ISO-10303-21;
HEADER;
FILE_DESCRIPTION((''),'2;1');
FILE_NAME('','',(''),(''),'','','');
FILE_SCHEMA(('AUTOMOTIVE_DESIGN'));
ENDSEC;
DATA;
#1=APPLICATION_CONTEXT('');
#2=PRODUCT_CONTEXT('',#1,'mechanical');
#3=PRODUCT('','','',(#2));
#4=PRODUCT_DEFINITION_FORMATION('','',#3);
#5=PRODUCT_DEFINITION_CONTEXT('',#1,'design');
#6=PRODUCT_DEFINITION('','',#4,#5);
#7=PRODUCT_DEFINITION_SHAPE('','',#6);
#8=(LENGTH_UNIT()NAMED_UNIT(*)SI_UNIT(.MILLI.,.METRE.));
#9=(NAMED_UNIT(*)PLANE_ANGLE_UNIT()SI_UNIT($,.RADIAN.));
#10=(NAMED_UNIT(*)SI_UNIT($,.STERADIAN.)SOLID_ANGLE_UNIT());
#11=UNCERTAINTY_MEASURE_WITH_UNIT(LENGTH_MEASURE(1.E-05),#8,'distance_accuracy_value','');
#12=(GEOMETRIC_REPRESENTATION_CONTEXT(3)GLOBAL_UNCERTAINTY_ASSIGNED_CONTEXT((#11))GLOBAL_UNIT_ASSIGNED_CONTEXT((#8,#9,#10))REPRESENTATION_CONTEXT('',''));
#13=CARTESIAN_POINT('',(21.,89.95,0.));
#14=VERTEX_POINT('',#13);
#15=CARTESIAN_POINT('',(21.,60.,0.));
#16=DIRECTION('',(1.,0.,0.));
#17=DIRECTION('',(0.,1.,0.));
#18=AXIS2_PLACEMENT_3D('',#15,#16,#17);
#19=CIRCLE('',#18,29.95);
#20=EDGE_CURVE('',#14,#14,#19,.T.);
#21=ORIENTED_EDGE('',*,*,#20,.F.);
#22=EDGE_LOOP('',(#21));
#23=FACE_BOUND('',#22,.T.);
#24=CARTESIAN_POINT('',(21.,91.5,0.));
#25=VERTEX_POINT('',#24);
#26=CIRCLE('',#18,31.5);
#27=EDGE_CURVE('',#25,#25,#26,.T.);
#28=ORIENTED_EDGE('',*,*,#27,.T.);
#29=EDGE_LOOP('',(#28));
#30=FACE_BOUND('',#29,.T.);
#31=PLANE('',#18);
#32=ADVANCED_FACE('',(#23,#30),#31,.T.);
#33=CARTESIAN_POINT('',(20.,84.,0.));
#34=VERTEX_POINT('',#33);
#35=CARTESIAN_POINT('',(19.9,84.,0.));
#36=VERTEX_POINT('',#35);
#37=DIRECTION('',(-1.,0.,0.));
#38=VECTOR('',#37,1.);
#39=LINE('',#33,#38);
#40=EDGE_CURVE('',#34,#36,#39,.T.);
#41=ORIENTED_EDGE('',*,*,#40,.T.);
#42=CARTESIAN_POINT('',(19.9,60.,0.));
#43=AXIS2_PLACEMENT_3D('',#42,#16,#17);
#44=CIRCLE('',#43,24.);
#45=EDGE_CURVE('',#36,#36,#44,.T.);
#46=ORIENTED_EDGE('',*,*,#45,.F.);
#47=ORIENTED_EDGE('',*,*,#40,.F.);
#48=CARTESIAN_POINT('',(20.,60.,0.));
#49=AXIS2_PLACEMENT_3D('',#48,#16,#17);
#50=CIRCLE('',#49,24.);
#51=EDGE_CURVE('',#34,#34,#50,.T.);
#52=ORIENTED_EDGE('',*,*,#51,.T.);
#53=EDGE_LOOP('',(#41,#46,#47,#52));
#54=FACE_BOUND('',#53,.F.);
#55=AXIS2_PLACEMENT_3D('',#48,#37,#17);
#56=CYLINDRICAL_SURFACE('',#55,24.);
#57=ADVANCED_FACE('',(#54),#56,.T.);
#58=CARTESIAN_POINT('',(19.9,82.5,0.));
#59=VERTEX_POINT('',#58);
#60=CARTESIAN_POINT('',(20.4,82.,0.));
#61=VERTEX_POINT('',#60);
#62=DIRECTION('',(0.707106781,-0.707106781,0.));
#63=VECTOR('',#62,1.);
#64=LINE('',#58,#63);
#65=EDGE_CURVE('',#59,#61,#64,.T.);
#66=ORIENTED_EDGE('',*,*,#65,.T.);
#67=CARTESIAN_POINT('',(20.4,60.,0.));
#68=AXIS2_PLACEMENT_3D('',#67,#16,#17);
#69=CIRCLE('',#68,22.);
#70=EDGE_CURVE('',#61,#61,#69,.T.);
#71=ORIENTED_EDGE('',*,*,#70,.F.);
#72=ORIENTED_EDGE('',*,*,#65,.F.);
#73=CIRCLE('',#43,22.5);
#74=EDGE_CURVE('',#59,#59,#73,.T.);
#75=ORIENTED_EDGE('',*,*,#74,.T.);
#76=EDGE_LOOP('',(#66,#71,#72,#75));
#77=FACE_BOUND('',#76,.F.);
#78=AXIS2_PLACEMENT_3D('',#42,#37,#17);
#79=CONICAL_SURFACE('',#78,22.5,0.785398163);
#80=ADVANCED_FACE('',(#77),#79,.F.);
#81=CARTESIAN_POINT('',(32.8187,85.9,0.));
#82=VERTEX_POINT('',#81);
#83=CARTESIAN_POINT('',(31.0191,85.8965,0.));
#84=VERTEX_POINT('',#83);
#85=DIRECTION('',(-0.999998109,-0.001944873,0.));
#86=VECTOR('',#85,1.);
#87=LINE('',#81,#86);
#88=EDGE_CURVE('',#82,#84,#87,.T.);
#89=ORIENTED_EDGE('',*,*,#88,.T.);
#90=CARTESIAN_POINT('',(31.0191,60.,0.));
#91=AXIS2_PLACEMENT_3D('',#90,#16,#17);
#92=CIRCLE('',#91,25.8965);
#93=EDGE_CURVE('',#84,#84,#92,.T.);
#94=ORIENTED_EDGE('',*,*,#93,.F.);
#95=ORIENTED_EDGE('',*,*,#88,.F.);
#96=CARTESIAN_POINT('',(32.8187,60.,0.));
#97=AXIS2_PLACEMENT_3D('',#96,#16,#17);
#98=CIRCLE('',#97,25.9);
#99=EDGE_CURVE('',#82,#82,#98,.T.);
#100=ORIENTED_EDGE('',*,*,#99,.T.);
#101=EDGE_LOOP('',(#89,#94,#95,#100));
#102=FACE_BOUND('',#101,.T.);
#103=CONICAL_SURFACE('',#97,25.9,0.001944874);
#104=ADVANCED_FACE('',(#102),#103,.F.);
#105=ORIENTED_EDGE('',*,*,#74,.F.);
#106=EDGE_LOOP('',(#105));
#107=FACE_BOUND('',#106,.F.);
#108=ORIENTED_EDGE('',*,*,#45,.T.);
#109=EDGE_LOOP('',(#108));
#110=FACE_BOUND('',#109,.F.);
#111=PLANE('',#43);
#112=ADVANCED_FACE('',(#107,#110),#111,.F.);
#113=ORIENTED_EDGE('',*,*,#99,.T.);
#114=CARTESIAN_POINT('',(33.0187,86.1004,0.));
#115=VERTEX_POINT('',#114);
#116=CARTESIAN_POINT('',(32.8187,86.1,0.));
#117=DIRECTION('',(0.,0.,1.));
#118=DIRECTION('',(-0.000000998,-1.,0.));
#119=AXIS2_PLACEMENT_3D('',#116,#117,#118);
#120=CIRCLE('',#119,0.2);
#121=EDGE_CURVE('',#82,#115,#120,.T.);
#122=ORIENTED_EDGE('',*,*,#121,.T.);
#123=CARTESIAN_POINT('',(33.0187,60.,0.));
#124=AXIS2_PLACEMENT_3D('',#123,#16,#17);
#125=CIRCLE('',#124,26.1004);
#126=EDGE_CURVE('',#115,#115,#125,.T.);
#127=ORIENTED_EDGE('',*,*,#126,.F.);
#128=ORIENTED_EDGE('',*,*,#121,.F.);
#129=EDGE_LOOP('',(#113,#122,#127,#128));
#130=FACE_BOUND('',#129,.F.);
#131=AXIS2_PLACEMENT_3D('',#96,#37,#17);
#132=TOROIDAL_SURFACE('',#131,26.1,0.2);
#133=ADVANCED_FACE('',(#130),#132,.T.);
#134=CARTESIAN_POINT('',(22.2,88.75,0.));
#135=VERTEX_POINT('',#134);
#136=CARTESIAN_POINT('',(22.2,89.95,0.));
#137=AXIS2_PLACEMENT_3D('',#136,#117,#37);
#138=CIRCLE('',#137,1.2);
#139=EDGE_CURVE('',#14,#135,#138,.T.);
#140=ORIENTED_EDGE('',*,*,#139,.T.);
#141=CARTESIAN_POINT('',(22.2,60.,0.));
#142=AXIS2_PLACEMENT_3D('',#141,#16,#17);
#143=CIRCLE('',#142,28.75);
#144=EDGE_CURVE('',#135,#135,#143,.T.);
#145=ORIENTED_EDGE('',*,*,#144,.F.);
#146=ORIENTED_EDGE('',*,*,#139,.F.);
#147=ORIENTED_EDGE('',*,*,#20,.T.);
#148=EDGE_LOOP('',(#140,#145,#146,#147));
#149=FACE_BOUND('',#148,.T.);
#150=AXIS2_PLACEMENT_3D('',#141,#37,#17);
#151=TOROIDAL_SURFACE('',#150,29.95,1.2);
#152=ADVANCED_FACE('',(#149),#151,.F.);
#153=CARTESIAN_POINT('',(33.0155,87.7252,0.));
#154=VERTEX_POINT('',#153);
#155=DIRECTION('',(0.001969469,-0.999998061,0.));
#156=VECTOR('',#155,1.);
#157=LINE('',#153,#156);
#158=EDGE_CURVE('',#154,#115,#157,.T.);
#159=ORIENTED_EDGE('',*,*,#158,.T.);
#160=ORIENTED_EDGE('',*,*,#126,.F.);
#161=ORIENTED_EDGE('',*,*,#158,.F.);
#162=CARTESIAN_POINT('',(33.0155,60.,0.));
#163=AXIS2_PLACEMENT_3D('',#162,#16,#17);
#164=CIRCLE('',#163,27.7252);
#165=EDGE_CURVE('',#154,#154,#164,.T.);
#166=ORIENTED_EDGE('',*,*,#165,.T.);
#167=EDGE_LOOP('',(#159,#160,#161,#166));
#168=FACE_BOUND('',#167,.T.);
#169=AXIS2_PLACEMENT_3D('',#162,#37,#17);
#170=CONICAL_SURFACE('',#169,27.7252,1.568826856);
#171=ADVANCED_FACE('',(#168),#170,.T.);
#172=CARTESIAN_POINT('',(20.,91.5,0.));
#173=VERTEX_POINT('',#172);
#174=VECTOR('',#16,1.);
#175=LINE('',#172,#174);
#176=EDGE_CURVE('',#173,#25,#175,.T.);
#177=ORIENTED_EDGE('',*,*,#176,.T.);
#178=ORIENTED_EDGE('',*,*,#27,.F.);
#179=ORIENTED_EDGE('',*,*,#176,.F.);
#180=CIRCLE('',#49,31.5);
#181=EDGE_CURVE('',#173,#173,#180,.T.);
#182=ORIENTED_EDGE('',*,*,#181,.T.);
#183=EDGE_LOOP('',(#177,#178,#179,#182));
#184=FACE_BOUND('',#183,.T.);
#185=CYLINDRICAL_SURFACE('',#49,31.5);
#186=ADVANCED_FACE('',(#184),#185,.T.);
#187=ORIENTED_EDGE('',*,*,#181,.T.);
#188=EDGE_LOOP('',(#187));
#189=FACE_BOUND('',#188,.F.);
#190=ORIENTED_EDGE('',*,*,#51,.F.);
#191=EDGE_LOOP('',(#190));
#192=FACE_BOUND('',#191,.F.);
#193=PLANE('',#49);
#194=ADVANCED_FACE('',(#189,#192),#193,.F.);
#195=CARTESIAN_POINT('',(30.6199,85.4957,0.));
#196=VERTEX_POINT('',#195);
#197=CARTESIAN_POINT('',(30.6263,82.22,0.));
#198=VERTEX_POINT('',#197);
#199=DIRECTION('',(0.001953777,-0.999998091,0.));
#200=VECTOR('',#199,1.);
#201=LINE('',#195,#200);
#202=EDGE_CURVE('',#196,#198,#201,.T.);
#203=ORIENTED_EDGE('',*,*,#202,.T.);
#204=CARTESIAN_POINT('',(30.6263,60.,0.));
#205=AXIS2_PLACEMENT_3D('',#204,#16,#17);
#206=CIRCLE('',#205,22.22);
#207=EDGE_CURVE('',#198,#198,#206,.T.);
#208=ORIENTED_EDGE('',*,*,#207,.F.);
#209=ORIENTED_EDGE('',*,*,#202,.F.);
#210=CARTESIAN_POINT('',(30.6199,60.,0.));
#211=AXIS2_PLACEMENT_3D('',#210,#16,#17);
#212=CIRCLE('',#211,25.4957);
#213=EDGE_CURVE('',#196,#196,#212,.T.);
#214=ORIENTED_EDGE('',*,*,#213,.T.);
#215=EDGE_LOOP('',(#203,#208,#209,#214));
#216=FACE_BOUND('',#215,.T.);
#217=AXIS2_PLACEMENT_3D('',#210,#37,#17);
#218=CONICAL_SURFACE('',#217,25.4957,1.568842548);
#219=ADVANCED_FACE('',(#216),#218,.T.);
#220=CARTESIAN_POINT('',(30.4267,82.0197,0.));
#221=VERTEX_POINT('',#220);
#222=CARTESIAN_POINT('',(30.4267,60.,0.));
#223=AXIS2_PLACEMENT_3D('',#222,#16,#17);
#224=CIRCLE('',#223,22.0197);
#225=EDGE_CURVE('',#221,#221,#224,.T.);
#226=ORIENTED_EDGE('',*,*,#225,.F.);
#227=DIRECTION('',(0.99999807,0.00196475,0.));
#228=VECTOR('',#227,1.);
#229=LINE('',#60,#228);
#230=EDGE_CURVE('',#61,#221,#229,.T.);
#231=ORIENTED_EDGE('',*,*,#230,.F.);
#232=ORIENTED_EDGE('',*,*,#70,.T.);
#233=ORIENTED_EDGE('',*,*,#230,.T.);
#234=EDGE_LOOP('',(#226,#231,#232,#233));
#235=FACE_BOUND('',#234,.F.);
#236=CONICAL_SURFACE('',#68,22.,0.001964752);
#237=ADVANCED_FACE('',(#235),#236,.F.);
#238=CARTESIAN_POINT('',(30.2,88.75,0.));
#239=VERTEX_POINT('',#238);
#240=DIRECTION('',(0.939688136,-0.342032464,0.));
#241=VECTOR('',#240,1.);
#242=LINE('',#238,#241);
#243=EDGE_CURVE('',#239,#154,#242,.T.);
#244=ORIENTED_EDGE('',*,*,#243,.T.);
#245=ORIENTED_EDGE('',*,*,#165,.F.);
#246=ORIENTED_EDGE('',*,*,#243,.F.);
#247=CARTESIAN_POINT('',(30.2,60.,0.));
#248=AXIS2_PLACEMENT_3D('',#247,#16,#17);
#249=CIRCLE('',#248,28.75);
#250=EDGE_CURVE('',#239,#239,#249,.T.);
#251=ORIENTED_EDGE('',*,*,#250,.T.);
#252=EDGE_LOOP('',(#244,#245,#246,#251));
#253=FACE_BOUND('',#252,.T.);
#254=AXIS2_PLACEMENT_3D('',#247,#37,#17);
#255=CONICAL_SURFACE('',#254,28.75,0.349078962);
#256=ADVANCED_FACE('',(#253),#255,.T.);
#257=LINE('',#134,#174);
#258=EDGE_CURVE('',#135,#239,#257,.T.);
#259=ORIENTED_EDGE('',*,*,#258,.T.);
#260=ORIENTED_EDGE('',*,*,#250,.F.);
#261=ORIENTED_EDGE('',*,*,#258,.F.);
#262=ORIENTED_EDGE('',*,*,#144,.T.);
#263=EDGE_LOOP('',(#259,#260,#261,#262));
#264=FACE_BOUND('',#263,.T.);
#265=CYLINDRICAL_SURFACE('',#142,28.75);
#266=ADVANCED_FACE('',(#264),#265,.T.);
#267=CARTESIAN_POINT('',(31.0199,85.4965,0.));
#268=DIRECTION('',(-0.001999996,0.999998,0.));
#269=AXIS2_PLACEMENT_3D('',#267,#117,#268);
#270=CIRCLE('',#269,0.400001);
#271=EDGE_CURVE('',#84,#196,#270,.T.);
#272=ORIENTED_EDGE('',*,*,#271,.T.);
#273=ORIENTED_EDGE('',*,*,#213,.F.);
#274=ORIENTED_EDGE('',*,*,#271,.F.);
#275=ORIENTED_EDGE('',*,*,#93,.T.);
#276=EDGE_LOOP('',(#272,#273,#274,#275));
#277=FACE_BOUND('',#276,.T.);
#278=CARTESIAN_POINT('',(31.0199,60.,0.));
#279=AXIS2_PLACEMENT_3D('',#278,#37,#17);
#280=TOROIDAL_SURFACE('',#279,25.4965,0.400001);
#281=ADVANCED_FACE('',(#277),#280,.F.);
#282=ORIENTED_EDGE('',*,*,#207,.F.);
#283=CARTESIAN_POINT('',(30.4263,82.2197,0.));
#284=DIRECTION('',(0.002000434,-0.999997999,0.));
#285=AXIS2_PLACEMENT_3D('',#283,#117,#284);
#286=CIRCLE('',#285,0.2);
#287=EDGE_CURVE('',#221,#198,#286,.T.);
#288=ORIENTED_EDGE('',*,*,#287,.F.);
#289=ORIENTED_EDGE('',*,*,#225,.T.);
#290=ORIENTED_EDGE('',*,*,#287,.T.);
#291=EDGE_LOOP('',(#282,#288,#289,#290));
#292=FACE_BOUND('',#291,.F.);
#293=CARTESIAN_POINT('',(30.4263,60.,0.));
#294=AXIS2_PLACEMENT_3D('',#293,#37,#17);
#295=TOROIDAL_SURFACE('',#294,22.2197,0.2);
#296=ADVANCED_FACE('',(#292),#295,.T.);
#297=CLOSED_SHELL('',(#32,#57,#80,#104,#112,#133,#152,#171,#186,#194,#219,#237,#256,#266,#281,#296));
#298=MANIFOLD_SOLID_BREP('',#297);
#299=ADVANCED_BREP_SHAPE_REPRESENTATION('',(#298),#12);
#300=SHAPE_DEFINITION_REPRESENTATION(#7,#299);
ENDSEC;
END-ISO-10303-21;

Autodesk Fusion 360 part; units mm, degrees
sketch "Sketch1" plane through (0, 0, 0) normal (0, 0, 1) x (1, 0, 0)
  line L0 (20, 60) -> (166.8779, 60) construction
  line L1 (40, 91.5) -> (40.1, 91.5)
  line L2 (20, 91.5) -> (21, 91.5)
  line L3 (21, 91.5) -> (21, 89.95)
  arc A0 (21, 89.95) -> (22.2, 88.75) centre (22.2, 89.95) ccw
  line L4 (22.2, 88.75) -> (30.2, 88.75)
  line L5 (30.2, 88.75) -> (33.0155, 87.7252)
  line L6 (33.0155, 87.7252) -> (33.0187, 86.1004)
  arc A1 (32.8187, 85.9) -> (33.0187, 86.1004) centre (32.8187, 86.1) ccw
  line L7 (32.8191, 85.9) -> (31.0191, 85.8965)
  arc A2 (31.0191, 85.8965) -> (30.6199, 85.4957) centre (31.0199, 85.4965) ccw
  line L8 (20, 91.5) -> (20, 84)
  line L9 (20, 84) -> (19.9, 84)
  line L10 (19.9, 84) -> (19.9, 82.5)
  line L11 (19.9, 82.5) -> (20.4, 82)
  line L12 (20.4, 82) -> (30.4267, 82.0197)
  line L13 (30.6199, 85.4957) -> (30.6263, 82.22)
  line L14 (30.6699, 60) -> (30.6699, 59.9957)
  arc A3 (30.4267, 82.0197) -> (30.6263, 82.22) centre (30.4263, 82.2197) ccw
  dimension "d6" = 31.5
  dimension "d7" = 1
  dimension "d9" = 2.4
  dimension "d10" = 8
  dimension "d11" = 20
  dimension "d15" = 0.4
  dimension "d18" = 0.8
  dimension "d19" = 7.5
  dimension "d20" = 0.1
  dimension "d21" = 1.5
  dimension "d24" = 0.4
revolve "Revolve1" add sketch "Sketch1" angle 360 about axis through (20, 60, 0) along (1, 0, 0)
equation "d6 = ( 63 / 2 ) * 1 mm"
